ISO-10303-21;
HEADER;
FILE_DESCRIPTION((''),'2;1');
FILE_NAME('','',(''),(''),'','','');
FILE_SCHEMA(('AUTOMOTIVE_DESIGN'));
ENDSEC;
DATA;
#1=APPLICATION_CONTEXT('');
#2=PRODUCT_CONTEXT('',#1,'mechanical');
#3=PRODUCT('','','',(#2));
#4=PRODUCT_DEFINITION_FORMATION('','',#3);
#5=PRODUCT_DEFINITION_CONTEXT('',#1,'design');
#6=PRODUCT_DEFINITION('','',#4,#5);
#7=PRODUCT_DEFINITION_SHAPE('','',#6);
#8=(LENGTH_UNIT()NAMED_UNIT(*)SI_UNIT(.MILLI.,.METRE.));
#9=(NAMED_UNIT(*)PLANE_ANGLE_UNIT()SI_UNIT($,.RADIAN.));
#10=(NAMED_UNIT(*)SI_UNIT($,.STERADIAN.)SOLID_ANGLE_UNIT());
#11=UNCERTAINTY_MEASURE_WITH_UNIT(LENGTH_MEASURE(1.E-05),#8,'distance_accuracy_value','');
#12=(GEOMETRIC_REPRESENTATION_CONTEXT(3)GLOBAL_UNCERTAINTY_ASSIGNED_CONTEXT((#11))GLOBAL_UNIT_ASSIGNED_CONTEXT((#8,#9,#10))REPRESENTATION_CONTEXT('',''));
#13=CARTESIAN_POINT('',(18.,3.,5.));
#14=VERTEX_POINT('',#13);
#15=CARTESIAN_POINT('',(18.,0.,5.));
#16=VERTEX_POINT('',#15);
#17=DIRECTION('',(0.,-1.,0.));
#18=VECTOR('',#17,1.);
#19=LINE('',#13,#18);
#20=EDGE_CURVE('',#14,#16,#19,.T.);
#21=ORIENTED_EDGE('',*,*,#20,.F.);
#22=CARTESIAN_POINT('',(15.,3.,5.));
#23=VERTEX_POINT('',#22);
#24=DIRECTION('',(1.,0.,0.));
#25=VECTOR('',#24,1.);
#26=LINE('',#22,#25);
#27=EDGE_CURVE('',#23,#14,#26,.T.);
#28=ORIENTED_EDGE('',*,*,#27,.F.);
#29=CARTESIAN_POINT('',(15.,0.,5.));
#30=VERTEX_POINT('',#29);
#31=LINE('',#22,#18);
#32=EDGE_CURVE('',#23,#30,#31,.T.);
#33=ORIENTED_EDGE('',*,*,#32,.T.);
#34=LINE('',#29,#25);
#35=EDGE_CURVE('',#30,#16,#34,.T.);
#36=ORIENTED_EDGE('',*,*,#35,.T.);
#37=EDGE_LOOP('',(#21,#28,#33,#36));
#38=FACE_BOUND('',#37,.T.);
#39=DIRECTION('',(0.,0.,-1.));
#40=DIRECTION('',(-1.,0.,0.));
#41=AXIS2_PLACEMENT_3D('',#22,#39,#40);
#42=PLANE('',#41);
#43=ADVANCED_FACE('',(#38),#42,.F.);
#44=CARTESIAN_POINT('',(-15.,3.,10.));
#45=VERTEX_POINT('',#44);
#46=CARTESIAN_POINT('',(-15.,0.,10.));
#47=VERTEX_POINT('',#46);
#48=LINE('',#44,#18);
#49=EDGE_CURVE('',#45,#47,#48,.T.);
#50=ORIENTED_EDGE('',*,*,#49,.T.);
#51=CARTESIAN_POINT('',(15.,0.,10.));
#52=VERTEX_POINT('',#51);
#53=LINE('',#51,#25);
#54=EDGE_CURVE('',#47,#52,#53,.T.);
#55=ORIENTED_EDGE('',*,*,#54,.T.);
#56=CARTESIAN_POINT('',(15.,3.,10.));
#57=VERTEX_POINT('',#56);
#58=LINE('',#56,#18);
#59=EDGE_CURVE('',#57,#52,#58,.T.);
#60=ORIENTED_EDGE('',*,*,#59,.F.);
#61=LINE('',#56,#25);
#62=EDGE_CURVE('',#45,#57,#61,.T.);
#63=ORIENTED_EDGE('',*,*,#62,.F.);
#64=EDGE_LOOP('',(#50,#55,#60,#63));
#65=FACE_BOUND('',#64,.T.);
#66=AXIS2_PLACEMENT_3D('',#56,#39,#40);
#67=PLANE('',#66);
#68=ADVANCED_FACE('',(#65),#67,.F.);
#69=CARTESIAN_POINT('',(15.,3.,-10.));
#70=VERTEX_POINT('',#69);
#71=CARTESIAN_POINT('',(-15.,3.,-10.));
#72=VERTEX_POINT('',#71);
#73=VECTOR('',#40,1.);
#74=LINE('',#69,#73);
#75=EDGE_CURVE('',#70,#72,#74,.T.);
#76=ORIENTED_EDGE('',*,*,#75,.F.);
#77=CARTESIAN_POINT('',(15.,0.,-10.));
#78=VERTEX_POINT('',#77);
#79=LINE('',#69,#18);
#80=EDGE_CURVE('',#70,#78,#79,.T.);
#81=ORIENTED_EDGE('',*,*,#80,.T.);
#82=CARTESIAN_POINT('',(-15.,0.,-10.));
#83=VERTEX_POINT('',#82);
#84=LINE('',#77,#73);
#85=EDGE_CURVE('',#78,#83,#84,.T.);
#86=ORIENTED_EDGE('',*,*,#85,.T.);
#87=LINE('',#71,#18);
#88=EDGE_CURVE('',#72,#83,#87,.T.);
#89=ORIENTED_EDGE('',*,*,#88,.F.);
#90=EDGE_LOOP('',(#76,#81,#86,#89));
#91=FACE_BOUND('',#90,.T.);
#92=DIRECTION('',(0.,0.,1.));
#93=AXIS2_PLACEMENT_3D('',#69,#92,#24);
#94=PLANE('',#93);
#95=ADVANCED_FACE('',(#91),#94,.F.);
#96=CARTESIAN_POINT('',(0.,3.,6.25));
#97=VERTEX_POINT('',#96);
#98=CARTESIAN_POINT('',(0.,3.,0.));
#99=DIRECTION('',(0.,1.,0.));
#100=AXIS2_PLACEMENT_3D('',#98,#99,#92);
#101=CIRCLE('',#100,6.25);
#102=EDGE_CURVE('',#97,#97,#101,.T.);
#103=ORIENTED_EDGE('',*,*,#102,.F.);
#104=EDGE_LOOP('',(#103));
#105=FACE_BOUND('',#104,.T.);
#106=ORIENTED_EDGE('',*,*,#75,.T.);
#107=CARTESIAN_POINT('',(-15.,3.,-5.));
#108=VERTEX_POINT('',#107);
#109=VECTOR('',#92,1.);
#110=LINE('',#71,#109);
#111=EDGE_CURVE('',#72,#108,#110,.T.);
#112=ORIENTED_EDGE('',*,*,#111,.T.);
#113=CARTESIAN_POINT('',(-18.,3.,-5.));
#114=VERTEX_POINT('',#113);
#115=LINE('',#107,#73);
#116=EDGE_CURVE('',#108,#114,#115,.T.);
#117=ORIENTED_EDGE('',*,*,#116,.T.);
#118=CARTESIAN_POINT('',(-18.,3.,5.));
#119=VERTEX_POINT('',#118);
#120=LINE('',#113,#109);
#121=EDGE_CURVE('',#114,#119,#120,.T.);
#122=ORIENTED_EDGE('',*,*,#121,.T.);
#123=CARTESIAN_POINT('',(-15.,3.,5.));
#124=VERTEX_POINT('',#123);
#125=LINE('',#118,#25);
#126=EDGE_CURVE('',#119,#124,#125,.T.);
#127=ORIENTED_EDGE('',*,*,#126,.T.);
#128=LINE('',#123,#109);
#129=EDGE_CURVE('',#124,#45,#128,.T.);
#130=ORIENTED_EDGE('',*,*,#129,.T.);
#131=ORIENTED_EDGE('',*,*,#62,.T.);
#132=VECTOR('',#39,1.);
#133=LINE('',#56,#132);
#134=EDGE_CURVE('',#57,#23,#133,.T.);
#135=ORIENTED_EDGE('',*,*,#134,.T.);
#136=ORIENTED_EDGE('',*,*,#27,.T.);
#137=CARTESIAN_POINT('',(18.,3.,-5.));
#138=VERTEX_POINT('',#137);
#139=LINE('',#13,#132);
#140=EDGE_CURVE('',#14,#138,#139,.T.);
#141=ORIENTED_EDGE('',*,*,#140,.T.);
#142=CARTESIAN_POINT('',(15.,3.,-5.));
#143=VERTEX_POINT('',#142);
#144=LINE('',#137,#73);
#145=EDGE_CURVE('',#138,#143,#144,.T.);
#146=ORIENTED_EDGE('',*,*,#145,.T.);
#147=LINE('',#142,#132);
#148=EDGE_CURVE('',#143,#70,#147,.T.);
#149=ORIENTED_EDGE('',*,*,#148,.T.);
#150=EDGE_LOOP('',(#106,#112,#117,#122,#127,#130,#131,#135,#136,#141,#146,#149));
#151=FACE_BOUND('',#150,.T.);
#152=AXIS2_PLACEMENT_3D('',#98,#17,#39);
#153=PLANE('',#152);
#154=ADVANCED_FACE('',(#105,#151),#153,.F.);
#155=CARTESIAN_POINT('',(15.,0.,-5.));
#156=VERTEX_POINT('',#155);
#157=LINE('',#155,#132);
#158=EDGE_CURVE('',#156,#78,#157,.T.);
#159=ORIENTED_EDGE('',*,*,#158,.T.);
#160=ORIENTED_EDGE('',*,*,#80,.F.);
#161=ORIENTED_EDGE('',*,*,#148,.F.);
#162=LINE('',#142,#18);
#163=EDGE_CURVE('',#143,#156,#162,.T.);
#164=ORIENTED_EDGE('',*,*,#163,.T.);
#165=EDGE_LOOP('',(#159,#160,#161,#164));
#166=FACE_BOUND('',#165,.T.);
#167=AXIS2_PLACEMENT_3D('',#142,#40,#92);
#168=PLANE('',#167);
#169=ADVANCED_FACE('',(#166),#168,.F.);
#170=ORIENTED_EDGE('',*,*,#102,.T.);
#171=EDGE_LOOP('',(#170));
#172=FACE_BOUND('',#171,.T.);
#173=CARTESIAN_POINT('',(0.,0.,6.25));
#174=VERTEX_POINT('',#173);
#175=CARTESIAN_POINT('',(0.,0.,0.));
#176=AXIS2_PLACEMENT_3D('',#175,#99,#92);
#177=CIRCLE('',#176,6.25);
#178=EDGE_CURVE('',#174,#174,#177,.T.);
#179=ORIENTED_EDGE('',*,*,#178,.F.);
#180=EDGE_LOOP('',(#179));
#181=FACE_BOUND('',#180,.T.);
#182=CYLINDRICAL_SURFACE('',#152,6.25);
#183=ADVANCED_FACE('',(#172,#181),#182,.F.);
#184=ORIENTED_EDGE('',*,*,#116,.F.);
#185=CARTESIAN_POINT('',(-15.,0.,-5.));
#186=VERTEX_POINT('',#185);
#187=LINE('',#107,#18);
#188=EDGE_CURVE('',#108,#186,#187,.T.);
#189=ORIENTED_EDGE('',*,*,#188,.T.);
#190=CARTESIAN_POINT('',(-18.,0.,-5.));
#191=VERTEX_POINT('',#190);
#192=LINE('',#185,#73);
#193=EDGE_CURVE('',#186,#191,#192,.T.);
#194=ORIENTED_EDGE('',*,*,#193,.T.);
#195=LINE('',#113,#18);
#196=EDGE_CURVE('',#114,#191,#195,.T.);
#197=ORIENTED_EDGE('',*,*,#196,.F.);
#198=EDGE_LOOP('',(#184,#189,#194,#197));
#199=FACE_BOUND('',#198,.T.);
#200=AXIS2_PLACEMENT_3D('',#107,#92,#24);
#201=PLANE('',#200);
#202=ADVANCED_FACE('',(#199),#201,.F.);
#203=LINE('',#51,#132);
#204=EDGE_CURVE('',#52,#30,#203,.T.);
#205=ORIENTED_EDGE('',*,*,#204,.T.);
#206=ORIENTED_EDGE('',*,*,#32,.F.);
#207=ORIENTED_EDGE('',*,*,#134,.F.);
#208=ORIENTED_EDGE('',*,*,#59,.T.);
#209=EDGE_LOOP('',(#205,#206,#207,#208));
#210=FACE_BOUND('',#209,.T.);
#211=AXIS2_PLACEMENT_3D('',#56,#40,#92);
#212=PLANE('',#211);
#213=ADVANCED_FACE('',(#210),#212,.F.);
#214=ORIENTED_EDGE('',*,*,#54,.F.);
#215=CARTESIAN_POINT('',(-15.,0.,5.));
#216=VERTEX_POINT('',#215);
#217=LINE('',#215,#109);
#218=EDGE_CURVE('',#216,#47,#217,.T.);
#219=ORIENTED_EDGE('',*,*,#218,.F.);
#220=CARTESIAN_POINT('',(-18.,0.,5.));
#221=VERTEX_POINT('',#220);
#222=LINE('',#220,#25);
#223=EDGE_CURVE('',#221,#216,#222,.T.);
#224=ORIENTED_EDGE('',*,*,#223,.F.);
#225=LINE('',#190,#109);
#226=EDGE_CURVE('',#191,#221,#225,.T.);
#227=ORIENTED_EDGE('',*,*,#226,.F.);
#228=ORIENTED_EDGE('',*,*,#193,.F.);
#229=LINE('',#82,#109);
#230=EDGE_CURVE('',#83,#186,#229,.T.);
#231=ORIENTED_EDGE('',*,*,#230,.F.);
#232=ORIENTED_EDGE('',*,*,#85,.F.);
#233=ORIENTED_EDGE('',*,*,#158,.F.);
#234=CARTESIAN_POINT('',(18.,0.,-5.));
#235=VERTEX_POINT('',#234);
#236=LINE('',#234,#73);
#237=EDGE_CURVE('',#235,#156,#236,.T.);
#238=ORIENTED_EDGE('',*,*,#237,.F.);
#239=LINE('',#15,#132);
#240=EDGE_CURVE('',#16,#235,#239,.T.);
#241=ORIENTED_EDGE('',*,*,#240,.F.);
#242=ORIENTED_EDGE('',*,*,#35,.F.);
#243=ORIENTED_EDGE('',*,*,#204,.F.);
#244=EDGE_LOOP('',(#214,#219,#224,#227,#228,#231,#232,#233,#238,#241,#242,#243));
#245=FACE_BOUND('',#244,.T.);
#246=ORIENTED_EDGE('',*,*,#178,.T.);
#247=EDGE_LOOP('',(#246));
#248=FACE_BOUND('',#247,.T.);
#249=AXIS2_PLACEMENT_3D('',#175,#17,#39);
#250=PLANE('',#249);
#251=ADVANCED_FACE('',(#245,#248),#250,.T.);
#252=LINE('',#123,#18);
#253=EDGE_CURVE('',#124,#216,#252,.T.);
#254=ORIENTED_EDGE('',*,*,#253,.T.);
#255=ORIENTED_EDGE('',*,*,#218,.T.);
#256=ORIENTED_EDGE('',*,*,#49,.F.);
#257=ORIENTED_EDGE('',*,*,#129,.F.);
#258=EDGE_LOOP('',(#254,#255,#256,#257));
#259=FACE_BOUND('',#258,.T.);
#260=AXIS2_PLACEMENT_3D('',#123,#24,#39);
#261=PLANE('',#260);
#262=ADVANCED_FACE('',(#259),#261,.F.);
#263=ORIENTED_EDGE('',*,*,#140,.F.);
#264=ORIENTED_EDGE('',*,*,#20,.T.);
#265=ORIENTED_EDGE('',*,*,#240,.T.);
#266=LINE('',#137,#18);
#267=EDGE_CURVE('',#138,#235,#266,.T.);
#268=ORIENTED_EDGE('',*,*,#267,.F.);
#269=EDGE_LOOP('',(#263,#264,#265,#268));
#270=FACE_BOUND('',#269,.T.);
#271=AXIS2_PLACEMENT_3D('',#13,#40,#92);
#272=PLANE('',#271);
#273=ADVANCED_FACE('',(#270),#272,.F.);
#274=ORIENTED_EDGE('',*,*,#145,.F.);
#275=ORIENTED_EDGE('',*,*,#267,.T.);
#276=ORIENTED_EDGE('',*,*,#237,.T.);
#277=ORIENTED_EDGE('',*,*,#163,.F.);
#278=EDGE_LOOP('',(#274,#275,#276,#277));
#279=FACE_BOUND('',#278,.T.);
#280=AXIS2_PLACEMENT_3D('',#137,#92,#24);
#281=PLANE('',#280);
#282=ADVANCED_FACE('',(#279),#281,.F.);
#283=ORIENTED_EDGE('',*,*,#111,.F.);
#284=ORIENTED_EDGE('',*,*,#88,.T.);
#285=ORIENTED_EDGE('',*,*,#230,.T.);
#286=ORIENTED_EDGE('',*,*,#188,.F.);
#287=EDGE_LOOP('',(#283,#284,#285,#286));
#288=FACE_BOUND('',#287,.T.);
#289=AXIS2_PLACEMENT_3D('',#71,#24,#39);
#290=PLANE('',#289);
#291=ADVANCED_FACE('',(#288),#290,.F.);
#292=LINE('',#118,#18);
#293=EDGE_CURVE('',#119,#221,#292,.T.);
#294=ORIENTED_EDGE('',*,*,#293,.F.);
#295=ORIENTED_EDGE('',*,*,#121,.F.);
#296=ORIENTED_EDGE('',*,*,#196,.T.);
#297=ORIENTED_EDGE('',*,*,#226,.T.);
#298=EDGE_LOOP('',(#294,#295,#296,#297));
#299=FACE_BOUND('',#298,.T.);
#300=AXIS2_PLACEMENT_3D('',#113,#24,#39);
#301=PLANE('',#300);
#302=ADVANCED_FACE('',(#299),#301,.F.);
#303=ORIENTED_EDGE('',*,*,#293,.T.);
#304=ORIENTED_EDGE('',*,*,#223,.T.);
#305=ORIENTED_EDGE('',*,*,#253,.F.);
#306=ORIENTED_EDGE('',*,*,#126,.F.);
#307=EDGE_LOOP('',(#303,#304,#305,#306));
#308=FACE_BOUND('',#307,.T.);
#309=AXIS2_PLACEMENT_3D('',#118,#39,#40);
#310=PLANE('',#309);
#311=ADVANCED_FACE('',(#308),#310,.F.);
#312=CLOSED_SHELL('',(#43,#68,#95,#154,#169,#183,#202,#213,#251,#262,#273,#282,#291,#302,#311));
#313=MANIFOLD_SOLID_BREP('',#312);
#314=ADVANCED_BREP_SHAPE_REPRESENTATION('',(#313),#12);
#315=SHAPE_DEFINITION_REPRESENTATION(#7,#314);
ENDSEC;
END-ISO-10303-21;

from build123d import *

# Parameters (mm, degrees)
SKETCH1_R           = 6.25
BOSS_EXTRUDE1_DEPTH = 3


with BuildPart() as part:
    # Sketch1 → Boss-Extrude1 (new body)
    with BuildSketch(Plane(origin=(0, 0, 0), x_dir=(1, 0, 0), z_dir=(0, 1, 0))):
        Polygon((-15, 10), (-15, 5), (-18, 5), (-18, -5), (-15, -5), (-15, -10), (15, -10), (15, -5), (18, -5), (18, 5), (15, 5), (15, 10), align=None)
        Circle(SKETCH1_R, mode=Mode.SUBTRACT)
    extrude(amount=BOSS_EXTRUDE1_DEPTH)


solid = part.part
